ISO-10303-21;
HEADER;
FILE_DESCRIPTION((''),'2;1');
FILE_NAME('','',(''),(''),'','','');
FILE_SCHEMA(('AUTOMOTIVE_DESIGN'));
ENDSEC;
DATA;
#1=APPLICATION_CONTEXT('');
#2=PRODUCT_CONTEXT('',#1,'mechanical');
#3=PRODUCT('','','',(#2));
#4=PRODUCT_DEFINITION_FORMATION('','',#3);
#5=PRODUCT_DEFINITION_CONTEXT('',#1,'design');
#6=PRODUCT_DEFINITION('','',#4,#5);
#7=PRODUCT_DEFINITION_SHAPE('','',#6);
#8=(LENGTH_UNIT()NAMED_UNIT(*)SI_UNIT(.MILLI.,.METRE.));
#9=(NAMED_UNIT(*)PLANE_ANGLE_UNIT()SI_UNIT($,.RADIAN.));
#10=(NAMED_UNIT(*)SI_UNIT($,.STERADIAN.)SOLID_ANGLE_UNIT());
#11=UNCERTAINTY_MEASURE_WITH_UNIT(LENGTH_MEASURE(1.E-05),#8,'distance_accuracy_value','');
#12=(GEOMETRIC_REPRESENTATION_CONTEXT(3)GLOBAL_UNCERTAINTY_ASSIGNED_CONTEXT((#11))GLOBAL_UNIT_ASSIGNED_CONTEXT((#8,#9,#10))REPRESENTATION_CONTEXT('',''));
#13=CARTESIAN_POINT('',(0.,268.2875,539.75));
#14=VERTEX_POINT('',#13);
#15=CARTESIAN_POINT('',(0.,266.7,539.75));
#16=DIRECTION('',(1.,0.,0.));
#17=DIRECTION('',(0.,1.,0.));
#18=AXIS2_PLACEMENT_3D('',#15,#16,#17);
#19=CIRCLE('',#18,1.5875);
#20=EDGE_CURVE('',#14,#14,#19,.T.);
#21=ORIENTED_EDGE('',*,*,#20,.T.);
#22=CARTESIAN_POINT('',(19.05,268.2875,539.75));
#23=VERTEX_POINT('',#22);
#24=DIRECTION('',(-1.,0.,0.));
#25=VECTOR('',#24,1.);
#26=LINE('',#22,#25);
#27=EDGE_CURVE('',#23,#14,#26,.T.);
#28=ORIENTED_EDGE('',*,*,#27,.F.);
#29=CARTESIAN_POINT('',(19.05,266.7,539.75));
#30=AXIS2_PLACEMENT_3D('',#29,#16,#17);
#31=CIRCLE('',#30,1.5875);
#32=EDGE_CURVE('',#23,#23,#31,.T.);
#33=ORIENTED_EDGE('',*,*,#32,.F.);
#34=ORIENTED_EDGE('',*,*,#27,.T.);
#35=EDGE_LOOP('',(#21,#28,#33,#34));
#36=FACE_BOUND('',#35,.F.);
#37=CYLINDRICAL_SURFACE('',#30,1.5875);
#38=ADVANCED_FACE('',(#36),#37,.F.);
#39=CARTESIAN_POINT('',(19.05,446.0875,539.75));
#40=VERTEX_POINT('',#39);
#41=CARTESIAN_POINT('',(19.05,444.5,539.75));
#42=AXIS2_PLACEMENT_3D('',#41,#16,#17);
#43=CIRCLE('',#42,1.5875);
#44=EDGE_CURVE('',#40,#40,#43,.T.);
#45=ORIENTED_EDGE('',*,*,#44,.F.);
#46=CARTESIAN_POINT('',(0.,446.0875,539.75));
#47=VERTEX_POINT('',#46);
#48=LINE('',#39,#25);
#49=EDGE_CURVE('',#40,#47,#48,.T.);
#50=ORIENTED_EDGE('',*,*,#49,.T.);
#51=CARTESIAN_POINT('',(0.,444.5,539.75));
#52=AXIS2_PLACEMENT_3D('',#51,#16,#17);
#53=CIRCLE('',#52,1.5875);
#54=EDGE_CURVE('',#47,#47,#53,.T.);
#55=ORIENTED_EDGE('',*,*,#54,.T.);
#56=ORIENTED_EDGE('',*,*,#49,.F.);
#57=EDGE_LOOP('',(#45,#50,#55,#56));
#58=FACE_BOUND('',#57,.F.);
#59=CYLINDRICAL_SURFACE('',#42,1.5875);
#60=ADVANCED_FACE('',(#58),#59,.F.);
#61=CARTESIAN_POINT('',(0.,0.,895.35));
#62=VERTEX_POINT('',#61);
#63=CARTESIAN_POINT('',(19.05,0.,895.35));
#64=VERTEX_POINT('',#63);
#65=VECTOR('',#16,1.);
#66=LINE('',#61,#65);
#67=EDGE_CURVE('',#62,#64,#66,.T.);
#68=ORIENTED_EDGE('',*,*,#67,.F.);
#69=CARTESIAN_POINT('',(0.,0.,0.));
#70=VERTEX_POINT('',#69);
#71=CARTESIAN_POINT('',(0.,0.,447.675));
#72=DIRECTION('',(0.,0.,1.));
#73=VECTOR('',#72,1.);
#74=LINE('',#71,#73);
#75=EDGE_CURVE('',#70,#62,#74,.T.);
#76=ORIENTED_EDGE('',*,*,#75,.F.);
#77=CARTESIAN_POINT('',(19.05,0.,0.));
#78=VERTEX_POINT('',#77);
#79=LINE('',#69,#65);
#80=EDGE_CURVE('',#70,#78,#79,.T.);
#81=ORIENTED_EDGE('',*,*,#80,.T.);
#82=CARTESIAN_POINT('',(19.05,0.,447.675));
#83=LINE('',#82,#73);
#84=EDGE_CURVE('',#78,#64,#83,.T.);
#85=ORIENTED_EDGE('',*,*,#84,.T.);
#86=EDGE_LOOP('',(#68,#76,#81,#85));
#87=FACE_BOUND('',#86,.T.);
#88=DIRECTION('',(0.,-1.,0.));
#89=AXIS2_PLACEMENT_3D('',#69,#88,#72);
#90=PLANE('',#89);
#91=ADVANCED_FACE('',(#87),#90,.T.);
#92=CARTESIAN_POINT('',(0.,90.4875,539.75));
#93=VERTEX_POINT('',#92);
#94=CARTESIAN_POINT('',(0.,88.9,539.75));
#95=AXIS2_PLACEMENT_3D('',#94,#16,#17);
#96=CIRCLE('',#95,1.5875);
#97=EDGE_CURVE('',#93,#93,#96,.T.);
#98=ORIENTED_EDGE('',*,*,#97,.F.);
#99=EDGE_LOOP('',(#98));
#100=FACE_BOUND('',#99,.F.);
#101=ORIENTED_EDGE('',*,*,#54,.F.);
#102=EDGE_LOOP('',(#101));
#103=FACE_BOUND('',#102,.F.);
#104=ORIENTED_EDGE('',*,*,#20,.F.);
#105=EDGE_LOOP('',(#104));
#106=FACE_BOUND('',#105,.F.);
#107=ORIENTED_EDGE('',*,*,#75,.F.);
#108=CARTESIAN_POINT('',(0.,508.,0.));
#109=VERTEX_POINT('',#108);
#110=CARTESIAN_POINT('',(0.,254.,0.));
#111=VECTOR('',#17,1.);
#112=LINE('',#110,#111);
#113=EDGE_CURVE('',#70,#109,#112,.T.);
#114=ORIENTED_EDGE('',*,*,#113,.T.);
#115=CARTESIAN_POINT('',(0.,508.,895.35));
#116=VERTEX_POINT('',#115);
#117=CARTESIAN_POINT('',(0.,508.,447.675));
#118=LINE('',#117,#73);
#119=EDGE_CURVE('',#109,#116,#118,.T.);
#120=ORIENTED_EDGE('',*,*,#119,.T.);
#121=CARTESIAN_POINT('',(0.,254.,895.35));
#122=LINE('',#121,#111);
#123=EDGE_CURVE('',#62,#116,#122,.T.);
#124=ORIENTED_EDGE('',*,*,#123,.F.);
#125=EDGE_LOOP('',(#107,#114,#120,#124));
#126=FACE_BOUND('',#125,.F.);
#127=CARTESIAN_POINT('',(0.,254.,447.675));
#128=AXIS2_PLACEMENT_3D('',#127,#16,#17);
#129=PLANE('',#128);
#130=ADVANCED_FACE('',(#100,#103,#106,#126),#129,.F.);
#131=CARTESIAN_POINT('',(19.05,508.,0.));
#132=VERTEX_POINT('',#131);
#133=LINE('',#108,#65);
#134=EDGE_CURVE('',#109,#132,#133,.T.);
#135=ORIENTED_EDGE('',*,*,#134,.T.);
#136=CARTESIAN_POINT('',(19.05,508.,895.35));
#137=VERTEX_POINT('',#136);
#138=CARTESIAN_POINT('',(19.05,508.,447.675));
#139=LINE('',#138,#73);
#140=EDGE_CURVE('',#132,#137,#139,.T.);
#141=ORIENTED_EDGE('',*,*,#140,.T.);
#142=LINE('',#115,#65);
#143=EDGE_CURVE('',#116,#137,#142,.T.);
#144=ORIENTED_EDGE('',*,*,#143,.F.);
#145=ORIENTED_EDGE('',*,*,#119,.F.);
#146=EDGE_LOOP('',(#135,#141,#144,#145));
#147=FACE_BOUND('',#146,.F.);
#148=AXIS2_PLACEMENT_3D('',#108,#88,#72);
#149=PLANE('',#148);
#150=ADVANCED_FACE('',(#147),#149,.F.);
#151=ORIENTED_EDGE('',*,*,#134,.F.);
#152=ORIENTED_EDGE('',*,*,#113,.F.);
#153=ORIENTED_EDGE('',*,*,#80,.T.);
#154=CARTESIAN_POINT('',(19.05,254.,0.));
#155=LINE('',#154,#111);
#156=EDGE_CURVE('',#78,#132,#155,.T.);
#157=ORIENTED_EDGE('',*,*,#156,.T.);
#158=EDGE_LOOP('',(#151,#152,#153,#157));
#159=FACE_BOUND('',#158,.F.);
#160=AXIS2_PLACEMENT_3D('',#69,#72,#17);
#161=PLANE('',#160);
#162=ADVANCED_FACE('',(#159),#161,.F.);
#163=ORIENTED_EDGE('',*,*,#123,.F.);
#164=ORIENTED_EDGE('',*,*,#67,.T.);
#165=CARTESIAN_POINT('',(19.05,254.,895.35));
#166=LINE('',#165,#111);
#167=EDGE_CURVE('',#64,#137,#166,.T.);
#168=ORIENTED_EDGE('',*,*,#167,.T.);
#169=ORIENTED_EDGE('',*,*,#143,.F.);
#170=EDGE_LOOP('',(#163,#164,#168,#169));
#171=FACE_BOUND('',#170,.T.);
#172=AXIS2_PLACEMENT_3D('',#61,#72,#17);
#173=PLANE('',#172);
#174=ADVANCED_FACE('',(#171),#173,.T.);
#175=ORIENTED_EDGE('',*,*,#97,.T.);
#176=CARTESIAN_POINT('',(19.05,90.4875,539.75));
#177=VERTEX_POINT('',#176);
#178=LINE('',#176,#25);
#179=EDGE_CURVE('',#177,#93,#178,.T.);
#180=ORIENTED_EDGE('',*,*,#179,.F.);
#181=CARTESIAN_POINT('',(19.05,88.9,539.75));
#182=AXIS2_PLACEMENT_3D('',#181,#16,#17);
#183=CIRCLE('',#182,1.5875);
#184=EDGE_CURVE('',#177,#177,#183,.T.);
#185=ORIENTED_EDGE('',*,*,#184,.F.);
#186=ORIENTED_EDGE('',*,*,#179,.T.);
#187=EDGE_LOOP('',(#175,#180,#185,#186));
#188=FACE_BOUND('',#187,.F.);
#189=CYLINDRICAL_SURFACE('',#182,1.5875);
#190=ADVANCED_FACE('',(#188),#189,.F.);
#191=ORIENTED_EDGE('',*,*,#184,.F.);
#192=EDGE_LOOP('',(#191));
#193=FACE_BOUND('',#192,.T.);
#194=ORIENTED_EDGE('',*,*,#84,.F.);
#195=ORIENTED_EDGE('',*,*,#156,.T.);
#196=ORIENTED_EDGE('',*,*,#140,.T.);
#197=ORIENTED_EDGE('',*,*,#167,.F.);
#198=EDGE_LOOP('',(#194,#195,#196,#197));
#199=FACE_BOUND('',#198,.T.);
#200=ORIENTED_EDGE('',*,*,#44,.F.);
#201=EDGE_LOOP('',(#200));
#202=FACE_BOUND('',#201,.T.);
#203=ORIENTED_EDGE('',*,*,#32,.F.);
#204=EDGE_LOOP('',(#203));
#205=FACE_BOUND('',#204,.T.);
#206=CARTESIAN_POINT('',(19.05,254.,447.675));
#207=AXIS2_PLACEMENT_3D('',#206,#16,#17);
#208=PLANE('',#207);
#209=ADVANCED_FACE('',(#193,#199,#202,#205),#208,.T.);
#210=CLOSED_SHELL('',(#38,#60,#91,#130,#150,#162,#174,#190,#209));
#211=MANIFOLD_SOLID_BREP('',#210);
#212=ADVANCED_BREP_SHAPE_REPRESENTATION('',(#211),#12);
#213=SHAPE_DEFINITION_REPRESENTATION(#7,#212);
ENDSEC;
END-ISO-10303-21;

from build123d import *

# Parameters (mm, degrees)
F0_W     = 508
F0_H     = 895.35
F1_DEPTH = 19.05
F2_R     = 1.5875
F3_DEPTH = 25.4


with BuildPart() as f1:
    # F0 (on Right) → F1 (new body)
    with BuildSketch(Plane.YZ):
        with Locations((254, 447.675)):
            Rectangle(F0_W, F0_H)
    extrude(amount=F1_DEPTH)

    # F2 (on face) → F3 (cut)
    with BuildSketch(Plane.YZ.offset(19.05)):
        with Locations((88.9, 539.75)):
            Circle(F2_R)
        with Locations((266.7, 539.75)):
            Circle(F2_R)
        with Locations((444.5, 539.75)):
            Circle(F2_R)
    extrude(amount=-F3_DEPTH, mode=Mode.SUBTRACT)


solid = f1.part
